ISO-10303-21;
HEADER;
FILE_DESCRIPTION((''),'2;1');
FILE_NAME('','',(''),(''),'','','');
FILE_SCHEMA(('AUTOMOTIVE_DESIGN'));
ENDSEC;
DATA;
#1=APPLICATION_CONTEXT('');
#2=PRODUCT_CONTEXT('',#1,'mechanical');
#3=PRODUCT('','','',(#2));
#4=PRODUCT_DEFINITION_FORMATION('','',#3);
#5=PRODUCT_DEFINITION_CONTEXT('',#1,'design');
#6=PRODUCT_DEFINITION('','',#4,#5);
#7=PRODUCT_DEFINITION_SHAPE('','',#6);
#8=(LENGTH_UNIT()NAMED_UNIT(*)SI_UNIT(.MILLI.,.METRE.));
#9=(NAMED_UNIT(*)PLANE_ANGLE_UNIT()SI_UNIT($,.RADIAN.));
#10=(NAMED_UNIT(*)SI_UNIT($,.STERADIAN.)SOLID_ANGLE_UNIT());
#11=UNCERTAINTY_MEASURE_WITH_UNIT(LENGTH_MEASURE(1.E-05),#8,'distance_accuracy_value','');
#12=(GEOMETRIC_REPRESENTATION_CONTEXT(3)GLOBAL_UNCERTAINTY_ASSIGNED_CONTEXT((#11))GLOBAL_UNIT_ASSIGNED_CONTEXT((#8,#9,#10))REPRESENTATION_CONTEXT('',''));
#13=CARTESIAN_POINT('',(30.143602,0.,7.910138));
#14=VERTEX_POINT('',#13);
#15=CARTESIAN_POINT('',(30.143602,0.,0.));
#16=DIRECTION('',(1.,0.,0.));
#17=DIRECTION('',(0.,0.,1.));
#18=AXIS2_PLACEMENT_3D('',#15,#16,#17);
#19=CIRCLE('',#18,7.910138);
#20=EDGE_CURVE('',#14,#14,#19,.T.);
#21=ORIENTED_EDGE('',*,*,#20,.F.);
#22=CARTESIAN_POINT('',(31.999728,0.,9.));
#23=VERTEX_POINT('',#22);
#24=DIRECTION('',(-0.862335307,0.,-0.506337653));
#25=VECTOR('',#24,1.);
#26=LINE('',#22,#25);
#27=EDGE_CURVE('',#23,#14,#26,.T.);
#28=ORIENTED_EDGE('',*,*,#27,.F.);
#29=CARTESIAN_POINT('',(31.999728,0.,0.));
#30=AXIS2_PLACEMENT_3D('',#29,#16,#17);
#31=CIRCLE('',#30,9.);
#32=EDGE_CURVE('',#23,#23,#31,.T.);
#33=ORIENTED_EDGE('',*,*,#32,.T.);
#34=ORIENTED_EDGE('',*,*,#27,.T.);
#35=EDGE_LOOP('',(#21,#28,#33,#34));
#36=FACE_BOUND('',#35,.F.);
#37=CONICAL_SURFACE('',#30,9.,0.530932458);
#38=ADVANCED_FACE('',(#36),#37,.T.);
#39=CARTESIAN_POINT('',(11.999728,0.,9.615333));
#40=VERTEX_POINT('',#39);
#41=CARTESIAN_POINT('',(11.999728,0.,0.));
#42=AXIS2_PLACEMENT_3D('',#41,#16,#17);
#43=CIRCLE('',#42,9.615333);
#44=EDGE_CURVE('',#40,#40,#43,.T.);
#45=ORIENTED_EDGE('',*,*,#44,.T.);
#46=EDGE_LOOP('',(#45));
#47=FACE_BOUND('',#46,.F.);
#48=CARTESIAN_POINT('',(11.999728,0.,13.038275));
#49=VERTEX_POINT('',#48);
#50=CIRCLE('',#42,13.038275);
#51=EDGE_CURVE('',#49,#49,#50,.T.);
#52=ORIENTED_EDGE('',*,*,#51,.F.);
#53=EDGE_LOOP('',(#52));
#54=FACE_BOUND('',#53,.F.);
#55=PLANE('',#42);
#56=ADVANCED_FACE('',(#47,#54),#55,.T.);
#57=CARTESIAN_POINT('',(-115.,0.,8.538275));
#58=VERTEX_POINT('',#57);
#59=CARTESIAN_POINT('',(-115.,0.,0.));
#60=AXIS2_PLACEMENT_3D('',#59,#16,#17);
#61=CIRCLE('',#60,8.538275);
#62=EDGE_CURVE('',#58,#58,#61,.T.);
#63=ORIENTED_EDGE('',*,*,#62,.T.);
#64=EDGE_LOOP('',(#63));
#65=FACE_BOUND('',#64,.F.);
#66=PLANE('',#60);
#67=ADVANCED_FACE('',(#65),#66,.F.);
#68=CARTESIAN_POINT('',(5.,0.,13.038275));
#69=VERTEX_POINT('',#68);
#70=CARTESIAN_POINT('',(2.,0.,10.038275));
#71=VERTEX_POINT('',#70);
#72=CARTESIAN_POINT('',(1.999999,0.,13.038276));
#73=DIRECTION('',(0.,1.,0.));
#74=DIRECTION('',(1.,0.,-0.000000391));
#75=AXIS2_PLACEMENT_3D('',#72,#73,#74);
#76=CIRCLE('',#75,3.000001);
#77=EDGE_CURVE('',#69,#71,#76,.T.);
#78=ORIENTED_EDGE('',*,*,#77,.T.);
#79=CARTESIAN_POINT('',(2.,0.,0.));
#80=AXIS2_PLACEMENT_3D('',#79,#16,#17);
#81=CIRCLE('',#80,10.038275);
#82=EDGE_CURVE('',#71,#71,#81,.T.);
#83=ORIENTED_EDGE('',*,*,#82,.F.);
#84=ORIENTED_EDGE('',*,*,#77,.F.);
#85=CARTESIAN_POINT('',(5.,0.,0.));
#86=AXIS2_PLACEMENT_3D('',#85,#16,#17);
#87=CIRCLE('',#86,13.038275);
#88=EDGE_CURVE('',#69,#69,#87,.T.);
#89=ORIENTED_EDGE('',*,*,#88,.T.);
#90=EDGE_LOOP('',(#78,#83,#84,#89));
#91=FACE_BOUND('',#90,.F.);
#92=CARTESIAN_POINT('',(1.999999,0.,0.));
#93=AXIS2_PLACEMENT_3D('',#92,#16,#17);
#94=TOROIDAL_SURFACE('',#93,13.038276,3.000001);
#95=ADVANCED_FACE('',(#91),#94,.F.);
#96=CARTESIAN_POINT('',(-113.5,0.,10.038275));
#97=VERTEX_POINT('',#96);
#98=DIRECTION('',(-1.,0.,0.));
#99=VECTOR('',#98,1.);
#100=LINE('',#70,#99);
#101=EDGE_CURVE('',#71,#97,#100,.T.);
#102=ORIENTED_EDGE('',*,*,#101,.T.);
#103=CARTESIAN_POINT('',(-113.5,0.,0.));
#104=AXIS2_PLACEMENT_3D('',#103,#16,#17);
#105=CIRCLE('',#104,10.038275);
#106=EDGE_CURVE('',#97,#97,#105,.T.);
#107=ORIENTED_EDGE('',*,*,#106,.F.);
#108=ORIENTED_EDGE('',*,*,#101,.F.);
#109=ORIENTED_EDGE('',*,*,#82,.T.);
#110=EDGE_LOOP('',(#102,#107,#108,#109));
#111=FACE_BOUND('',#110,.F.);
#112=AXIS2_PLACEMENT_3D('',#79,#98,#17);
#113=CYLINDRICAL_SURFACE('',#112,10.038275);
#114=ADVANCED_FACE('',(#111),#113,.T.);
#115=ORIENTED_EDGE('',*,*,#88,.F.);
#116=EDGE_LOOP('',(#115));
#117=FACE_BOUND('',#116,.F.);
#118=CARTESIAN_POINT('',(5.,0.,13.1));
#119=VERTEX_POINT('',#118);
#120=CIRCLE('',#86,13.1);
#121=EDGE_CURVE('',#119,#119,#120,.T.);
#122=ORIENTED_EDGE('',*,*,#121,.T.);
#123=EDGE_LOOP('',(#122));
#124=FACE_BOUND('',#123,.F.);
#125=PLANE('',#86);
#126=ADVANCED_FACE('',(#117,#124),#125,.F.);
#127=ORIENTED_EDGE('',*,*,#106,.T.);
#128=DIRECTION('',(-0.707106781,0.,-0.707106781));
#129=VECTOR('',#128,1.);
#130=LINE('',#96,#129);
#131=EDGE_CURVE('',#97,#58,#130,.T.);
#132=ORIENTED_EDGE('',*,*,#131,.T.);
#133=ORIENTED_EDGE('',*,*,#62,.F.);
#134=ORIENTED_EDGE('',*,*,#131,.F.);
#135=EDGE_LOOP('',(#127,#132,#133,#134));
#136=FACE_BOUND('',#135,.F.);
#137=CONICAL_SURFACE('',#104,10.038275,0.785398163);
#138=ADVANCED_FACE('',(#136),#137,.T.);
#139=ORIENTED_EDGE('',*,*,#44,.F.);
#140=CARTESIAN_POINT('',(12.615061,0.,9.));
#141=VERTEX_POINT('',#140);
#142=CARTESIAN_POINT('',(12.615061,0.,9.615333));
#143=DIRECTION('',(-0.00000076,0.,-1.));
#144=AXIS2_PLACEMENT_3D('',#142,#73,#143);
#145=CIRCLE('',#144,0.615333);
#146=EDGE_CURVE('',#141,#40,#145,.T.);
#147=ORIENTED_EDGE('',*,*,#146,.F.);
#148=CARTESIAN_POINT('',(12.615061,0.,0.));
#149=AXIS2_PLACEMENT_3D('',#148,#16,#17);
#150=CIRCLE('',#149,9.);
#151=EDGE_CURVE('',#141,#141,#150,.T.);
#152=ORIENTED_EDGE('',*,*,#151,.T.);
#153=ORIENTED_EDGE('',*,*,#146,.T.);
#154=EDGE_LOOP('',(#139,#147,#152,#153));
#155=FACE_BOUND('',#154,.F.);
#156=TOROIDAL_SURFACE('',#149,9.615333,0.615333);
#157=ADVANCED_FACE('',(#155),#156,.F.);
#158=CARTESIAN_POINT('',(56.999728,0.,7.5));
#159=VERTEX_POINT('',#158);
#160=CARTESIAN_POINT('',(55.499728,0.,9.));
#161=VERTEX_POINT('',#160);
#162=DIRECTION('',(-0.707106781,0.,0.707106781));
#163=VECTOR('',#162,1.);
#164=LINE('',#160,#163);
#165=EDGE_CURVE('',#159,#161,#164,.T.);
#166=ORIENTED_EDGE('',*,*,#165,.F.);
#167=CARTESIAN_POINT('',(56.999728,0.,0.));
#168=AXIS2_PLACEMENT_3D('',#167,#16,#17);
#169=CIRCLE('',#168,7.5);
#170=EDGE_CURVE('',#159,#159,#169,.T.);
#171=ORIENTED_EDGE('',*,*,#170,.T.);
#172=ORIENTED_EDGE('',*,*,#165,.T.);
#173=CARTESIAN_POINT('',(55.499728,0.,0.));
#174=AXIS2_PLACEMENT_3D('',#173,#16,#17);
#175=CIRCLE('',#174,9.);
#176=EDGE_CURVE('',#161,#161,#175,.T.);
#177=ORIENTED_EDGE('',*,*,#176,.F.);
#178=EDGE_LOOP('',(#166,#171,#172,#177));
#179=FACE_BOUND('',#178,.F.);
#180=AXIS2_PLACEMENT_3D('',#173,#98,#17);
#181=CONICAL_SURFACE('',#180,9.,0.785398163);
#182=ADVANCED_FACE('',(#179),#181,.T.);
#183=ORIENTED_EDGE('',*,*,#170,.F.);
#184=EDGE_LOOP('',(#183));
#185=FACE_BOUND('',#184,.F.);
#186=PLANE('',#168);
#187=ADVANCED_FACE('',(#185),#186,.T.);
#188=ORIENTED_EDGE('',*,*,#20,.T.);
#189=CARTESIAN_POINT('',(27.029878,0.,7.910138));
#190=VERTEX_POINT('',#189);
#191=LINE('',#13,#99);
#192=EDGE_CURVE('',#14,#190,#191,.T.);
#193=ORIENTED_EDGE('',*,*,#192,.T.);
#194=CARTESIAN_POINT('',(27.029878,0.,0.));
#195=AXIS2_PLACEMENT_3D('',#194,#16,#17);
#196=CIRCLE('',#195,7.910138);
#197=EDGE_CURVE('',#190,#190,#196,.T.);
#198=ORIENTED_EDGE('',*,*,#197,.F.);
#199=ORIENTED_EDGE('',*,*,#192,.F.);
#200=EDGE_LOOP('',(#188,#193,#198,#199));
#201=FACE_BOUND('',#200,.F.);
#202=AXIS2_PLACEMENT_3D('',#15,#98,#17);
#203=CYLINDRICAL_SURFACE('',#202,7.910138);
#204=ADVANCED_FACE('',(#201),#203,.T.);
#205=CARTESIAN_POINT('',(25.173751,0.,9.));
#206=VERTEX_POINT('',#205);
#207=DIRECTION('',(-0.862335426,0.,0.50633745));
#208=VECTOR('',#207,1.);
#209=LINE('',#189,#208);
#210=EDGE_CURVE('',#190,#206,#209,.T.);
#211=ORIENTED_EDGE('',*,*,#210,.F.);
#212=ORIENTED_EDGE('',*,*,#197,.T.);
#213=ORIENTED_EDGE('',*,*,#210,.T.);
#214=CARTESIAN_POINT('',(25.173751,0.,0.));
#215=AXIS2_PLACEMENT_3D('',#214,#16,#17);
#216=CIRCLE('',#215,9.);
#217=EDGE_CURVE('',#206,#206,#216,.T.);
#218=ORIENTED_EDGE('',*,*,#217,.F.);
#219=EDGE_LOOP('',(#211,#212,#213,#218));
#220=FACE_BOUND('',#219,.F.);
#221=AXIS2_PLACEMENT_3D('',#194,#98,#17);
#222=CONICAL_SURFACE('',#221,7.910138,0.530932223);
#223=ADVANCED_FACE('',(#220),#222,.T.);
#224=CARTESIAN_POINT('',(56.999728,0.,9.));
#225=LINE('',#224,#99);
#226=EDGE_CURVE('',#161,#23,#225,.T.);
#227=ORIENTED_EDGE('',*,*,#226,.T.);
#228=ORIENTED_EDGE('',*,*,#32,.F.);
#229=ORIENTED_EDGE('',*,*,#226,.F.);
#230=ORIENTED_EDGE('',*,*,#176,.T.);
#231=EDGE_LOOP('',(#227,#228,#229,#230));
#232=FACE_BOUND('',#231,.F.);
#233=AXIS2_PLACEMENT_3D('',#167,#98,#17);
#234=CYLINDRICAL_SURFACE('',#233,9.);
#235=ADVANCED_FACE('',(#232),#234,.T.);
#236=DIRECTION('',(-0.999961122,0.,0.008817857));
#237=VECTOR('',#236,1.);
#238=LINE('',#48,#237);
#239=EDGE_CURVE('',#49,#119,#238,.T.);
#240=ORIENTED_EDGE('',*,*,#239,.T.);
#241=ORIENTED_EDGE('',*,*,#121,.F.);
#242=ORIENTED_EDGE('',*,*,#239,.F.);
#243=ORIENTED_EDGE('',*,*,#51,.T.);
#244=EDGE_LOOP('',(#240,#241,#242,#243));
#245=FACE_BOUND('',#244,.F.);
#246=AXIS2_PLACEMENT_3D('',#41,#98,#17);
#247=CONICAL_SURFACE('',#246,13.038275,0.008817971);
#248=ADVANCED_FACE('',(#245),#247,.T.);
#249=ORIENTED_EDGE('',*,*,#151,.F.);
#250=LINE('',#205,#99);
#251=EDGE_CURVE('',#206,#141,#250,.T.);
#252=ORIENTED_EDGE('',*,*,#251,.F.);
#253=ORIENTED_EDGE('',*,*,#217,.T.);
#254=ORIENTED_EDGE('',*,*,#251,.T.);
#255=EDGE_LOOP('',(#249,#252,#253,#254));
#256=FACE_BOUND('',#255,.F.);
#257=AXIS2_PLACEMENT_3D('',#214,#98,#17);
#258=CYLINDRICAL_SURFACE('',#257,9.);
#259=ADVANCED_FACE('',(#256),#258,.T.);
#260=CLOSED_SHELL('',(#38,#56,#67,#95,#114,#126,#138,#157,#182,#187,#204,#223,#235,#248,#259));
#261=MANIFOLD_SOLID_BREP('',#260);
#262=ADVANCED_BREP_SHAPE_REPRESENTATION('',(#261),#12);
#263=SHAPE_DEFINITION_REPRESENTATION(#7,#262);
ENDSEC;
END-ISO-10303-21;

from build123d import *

# Parameters (mm, degrees)
F2_SIZE = 1.5
F3_SIZE = 1.5


with BuildPart() as f1:
    # F0 (on Front) → F1 (revolve)
    with BuildSketch(Plane.XZ):
        with BuildLine():
            Line((5, 13.1), (5, 13.038275))
            ThreePointArc((5, 13.038275), (4.12132, 10.916955), (2, 10.038275))
            Line((2, 10.038275), (-115, 10.038275))
            Line((-115, 10.038275), (-115, 0))
            Line((-115, 0), (56.999728, 0))
            Line((56.999728, 0), (56.999728, 9))
            Line((56.999728, 9), (31.999728, 9))
            Line((31.999728, 9), (30.143602, 7.910138))
            Line((30.143602, 7.910138), (27.029878, 7.910138))
            Line((27.029878, 7.910138), (25.173751, 9))
            Line((25.173751, 9), (12.615061, 9))
            ThreePointArc((12.615061, 9), (12.179955, 9.180227), (11.999728, 9.615333))
            Line((11.999728, 9.615333), (11.999728, 13.038275))
            Line((11.999728, 13.038275), (5, 13.1))
        make_face()
    revolve(axis=Axis((-29.000136, 0, 0), (1, 0, 0)))

    # F2
    f2_edges = [f1.edges().sort_by_distance(p)[0] for p in [
        (56.999728, 0, -9),
    ]]
    chamfer(f2_edges, length=F2_SIZE)

    # F3
    f3_edges = [f1.edges().sort_by_distance(p)[0] for p in [
        (-115, 0, -10.038275),
    ]]
    chamfer(f3_edges, length=F3_SIZE)


solid = f1.part
